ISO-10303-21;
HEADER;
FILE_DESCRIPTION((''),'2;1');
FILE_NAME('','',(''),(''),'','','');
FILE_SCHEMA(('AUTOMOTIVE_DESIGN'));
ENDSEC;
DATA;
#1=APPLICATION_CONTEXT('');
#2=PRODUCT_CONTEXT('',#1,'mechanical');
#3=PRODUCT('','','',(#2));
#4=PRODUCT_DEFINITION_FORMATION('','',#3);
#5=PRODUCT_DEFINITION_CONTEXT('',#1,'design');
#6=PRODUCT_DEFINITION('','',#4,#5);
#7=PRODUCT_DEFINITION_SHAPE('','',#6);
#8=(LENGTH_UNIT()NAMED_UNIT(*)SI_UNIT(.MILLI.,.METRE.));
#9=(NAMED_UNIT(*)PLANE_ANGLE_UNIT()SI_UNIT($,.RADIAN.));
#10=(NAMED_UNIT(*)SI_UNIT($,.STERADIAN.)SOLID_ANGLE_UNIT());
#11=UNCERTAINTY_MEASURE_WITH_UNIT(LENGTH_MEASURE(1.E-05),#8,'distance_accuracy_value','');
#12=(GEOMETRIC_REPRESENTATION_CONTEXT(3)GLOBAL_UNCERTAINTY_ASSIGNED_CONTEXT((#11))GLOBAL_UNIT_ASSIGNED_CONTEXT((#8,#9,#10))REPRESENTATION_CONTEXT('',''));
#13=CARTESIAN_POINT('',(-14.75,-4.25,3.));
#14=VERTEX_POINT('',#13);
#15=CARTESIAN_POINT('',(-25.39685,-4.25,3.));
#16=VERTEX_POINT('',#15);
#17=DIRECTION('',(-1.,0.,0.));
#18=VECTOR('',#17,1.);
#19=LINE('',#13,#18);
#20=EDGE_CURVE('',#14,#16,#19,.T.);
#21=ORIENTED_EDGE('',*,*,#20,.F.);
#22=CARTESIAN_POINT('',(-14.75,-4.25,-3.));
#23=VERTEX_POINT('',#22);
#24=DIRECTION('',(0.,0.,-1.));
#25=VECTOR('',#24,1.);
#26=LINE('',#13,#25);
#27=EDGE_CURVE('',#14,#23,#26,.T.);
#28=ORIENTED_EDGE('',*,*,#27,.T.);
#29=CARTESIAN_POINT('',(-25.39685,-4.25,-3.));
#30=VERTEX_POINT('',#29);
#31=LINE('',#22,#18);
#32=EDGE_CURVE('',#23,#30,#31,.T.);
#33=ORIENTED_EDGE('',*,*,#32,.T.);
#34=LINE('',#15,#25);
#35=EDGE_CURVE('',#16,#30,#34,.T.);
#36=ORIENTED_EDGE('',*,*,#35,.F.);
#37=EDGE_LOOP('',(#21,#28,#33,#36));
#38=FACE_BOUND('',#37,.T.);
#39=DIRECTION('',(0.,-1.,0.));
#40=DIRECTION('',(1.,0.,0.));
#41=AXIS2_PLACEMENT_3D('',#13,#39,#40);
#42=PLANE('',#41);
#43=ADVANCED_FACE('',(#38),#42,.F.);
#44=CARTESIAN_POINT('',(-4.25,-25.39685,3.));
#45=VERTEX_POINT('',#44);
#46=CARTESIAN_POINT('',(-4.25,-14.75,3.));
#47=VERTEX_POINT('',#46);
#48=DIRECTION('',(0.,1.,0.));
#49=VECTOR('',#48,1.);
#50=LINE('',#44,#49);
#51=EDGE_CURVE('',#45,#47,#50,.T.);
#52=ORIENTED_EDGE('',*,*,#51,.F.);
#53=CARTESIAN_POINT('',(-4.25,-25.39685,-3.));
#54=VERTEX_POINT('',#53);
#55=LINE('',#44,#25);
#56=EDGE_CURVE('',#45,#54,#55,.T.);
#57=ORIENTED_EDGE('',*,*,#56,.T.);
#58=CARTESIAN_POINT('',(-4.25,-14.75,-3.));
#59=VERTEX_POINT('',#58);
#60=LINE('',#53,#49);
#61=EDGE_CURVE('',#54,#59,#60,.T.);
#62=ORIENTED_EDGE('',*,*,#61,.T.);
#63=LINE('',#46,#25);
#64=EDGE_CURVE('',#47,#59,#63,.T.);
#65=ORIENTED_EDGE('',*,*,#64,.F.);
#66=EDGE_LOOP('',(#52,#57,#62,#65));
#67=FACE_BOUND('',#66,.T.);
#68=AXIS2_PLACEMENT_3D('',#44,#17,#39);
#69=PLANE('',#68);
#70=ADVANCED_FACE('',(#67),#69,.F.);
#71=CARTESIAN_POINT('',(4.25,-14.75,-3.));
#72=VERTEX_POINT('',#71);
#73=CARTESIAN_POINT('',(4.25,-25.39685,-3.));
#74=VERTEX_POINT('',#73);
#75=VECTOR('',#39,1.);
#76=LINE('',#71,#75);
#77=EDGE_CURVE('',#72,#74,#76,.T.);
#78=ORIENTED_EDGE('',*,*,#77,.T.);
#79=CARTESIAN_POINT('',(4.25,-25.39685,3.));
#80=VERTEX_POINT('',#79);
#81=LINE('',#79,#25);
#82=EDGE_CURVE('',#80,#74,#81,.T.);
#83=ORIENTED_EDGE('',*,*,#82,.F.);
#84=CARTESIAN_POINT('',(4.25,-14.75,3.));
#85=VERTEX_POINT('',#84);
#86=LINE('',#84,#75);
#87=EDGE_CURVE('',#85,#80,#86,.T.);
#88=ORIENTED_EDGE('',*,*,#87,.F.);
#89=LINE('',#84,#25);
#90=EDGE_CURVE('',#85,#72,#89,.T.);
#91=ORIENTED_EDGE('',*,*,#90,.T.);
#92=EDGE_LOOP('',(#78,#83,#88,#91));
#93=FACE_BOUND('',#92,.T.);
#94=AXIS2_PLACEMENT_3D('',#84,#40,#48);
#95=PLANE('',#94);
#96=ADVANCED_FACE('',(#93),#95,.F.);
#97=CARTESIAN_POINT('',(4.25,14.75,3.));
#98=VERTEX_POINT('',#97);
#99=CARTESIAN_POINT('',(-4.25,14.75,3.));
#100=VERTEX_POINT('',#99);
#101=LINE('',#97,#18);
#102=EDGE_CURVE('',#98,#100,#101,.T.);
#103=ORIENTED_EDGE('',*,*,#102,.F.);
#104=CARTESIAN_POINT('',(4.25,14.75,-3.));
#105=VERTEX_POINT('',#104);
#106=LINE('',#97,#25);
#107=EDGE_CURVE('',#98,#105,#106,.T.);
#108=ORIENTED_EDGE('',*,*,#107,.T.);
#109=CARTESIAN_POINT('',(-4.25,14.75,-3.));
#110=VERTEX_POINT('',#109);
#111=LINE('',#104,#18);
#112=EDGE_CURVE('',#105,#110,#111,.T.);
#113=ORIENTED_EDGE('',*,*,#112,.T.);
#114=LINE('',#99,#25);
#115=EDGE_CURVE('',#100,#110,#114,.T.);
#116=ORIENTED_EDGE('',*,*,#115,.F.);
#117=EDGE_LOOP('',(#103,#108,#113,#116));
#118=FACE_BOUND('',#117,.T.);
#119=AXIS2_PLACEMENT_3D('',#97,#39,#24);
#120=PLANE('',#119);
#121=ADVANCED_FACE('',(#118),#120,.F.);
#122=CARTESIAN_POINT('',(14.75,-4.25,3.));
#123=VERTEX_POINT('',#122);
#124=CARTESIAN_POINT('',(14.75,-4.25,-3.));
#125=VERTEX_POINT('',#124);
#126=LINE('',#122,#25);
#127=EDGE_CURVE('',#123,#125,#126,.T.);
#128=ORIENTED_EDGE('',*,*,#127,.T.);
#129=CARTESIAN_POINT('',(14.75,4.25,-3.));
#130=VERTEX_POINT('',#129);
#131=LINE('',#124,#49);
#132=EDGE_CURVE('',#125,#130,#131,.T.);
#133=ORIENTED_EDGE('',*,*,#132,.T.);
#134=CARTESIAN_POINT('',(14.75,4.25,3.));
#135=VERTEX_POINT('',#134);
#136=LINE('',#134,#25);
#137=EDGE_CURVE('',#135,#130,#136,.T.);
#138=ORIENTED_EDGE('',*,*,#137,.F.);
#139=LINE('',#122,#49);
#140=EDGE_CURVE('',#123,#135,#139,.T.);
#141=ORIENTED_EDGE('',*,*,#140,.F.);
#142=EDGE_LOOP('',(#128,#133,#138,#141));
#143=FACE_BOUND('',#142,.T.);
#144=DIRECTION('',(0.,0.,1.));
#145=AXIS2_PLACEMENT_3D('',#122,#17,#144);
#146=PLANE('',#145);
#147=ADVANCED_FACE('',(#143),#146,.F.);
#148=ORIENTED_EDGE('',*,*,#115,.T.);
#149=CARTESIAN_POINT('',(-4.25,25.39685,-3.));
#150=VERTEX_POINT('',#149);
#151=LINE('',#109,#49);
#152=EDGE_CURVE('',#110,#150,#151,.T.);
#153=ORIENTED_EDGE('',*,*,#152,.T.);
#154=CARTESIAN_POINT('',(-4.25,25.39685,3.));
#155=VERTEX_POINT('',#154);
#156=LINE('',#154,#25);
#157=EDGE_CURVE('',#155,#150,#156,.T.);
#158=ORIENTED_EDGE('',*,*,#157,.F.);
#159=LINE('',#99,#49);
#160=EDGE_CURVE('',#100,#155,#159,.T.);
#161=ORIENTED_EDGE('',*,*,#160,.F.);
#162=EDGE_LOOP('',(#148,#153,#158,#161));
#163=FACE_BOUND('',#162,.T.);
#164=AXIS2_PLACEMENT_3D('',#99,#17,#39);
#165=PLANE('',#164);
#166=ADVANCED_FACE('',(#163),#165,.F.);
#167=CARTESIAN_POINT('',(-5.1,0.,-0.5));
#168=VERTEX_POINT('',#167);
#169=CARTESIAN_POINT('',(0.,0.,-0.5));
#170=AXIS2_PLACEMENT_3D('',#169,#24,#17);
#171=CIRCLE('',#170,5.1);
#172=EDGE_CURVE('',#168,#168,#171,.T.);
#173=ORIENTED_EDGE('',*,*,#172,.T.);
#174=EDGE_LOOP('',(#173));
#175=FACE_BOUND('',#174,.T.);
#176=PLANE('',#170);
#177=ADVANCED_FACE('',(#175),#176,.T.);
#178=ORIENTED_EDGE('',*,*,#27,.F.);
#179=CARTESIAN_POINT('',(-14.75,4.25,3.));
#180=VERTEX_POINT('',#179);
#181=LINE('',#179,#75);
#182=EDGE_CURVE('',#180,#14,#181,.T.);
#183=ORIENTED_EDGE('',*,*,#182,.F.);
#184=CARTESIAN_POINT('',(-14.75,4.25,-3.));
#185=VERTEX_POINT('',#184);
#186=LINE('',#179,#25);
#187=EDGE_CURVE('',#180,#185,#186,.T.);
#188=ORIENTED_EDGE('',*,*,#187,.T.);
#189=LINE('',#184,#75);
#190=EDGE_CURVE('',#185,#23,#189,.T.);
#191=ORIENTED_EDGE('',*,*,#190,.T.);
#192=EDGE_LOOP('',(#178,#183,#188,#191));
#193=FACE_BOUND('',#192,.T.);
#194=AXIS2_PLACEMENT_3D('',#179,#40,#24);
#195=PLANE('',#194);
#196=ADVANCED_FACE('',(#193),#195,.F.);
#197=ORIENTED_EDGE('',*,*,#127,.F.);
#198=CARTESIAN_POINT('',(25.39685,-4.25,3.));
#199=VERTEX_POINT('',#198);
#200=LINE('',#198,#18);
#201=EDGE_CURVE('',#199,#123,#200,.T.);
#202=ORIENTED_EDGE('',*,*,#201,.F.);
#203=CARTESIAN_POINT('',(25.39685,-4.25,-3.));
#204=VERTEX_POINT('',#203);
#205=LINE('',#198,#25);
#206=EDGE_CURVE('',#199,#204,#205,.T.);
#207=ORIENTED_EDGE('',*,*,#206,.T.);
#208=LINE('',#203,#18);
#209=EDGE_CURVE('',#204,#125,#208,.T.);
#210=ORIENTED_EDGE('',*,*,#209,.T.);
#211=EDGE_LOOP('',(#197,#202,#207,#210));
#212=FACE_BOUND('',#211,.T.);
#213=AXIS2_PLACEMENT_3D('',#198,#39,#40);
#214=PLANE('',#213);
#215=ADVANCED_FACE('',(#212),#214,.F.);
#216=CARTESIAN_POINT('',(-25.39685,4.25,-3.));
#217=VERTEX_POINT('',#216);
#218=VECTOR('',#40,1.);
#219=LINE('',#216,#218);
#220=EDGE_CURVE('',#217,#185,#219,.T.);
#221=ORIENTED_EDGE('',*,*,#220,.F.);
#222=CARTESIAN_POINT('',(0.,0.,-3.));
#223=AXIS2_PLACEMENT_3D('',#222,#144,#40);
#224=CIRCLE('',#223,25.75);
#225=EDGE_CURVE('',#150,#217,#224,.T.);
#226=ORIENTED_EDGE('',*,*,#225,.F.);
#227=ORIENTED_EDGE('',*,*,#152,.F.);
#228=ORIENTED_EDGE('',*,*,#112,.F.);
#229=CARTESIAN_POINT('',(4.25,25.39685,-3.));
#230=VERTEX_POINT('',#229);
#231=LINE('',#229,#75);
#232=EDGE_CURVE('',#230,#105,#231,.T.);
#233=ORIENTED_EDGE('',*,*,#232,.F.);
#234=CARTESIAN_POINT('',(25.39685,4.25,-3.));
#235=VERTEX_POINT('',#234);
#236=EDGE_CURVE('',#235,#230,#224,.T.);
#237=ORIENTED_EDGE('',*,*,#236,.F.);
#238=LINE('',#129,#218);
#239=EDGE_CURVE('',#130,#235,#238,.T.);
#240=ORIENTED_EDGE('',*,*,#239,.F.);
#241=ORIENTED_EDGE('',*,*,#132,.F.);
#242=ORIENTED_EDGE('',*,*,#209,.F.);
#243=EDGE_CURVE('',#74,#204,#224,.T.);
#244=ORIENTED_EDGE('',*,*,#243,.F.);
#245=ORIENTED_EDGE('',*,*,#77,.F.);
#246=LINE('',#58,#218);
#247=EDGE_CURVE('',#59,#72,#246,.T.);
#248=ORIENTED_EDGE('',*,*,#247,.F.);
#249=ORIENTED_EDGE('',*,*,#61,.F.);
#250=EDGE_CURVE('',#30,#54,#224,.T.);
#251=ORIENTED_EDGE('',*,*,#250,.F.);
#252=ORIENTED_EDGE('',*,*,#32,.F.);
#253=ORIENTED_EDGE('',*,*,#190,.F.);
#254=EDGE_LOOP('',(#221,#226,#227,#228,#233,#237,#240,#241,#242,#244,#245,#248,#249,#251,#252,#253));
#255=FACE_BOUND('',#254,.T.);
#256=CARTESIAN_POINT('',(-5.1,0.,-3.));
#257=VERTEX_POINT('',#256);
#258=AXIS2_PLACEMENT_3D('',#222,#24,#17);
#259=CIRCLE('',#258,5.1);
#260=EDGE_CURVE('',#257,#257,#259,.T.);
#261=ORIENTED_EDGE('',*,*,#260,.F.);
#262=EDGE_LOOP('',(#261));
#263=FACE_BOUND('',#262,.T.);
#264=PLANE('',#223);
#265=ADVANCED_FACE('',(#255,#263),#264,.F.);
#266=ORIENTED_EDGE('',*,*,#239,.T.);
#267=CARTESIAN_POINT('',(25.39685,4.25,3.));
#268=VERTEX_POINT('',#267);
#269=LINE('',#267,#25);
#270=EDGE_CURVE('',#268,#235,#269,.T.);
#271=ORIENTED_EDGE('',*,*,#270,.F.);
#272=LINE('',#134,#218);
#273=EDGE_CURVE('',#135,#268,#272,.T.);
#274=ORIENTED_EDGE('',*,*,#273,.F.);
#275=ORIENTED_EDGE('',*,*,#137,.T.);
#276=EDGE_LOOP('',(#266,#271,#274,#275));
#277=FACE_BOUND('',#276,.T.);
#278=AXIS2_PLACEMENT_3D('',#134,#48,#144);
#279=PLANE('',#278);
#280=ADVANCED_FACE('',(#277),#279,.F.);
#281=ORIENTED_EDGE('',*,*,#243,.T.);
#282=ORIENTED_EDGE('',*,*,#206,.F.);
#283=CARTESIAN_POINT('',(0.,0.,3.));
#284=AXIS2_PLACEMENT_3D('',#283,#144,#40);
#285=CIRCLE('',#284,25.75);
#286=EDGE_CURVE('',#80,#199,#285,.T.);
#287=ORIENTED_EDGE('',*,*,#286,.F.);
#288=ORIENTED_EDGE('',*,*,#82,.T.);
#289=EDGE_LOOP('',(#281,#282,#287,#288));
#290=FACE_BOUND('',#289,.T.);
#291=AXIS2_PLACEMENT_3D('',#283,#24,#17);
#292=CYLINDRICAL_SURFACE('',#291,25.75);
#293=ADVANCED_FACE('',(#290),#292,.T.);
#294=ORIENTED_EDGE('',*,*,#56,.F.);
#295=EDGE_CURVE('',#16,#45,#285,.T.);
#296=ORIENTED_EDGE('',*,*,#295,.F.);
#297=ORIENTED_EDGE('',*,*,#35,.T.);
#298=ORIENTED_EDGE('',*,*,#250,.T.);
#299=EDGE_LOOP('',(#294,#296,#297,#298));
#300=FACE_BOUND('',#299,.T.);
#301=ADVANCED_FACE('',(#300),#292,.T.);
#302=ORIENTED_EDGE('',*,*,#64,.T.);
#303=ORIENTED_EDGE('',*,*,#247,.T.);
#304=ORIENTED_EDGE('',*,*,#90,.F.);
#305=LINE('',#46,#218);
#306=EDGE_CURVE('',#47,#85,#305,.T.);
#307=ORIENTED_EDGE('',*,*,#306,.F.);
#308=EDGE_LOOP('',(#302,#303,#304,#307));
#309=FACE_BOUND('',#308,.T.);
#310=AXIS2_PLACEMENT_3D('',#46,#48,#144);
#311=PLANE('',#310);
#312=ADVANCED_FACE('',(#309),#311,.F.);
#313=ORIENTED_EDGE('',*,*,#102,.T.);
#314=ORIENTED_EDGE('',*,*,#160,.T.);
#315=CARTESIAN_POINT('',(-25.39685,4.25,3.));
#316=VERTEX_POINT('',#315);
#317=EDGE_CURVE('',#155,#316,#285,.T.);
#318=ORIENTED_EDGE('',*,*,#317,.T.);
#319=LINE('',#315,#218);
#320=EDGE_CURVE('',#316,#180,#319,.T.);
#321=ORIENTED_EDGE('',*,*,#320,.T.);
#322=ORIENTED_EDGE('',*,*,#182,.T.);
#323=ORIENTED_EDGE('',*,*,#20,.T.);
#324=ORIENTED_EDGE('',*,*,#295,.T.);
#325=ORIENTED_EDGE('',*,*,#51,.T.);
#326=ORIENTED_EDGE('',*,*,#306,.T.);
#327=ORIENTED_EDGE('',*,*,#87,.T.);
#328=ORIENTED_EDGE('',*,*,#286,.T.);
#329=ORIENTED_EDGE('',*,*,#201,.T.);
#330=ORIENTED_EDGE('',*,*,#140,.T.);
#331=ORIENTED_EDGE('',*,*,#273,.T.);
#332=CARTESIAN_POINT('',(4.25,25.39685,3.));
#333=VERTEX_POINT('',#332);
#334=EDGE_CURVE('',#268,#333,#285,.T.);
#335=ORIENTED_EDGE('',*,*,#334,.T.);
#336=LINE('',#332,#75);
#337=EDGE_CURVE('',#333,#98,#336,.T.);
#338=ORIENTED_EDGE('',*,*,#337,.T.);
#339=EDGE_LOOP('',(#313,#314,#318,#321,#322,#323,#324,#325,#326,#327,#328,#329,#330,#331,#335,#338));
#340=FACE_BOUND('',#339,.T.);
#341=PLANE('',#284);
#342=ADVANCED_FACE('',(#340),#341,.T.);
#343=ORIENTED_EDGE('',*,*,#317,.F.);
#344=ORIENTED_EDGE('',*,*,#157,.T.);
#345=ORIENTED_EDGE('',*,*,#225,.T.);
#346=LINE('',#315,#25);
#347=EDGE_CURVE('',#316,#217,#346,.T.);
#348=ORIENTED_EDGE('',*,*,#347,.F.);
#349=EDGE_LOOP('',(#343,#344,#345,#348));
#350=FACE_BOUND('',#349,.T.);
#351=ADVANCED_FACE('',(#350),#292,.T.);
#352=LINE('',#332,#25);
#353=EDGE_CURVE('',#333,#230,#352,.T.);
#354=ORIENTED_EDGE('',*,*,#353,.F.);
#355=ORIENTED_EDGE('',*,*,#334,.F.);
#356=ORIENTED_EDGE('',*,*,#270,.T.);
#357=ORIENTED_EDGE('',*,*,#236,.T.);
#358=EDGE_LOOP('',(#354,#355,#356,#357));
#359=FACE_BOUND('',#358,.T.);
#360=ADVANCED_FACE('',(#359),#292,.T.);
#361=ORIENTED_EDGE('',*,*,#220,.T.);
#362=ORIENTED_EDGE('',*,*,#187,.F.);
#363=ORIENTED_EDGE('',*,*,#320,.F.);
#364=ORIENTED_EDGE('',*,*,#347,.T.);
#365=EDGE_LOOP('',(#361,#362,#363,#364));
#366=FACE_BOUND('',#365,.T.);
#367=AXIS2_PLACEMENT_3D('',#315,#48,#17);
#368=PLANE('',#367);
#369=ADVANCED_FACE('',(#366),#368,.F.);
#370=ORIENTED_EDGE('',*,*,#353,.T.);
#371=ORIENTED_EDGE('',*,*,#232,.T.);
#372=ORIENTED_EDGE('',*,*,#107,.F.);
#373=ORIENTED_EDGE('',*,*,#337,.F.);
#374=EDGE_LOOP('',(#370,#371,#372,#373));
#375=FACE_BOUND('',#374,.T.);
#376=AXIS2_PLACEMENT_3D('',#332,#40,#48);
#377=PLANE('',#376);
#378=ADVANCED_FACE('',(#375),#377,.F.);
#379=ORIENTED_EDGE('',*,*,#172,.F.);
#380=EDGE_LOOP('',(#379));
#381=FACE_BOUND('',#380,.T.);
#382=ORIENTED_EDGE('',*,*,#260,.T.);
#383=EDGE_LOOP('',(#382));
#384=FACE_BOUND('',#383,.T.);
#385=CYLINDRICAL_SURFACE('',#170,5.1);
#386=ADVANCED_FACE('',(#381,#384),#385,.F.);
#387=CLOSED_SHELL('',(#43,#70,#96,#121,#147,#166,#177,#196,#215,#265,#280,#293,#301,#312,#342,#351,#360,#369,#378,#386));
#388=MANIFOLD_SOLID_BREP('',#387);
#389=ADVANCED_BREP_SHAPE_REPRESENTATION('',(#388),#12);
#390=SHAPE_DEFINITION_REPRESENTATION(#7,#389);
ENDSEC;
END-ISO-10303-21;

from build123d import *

# Parameters (mm, degrees)
BOSS_EXTRUDE1_DEPTH = 3
SKETCH3_R           = 5.1
CUT_EXTRUDE1_DEPTH  = 2.5


with BuildPart() as part:
    # Sketch2 → Boss-Extrude1 (new, symmetric)
    with BuildSketch(Plane.XY):
        with BuildLine():
            Line((-25.396850198, 4.25), (-14.75, 4.25))
            Line((-14.75, 4.25), (-14.75, -4.25))
            Line((-14.75, -4.25), (-25.396850198, -4.25))
            ThreePointArc((-25.396850198, -4.25), (-18.207999616, -18.207999616), (-4.25, -25.396850198))
            Line((-4.25, -25.396850198), (-4.25, -14.75))
            Line((-4.25, -14.75), (4.25, -14.75))
            Line((4.25, -14.75), (4.25, -25.396850198))
            ThreePointArc((4.25, -25.396850198), (18.207999616, -18.207999616), (25.396850198, -4.25))
            Line((25.396850198, -4.25), (14.75, -4.25))
            Line((14.75, -4.25), (14.75, 4.25))
            Line((14.75, 4.25), (25.396850198, 4.25))
            ThreePointArc((25.396850198, 4.25), (18.207999616, 18.207999616), (4.25, 25.396850198))
            Line((4.25, 25.396850198), (4.25, 14.75))
            Line((4.25, 14.75), (-4.25, 14.75))
            Line((-4.25, 14.75), (-4.25, 25.396850198))
            ThreePointArc((-4.25, 25.396850198), (-18.207999616, 18.207999616), (-25.396850198, 4.25))
        make_face()
    extrude(amount=BOSS_EXTRUDE1_DEPTH, both=True)

    # Sketch3 → Cut-Extrude1 (cut)
    with BuildSketch(Plane(origin=(0, 0, -3), x_dir=(-1, 0, 0), z_dir=(0, 0, -1))):
        Circle(SKETCH3_R)
    extrude(amount=-CUT_EXTRUDE1_DEPTH, mode=Mode.SUBTRACT)


solid = part.part
